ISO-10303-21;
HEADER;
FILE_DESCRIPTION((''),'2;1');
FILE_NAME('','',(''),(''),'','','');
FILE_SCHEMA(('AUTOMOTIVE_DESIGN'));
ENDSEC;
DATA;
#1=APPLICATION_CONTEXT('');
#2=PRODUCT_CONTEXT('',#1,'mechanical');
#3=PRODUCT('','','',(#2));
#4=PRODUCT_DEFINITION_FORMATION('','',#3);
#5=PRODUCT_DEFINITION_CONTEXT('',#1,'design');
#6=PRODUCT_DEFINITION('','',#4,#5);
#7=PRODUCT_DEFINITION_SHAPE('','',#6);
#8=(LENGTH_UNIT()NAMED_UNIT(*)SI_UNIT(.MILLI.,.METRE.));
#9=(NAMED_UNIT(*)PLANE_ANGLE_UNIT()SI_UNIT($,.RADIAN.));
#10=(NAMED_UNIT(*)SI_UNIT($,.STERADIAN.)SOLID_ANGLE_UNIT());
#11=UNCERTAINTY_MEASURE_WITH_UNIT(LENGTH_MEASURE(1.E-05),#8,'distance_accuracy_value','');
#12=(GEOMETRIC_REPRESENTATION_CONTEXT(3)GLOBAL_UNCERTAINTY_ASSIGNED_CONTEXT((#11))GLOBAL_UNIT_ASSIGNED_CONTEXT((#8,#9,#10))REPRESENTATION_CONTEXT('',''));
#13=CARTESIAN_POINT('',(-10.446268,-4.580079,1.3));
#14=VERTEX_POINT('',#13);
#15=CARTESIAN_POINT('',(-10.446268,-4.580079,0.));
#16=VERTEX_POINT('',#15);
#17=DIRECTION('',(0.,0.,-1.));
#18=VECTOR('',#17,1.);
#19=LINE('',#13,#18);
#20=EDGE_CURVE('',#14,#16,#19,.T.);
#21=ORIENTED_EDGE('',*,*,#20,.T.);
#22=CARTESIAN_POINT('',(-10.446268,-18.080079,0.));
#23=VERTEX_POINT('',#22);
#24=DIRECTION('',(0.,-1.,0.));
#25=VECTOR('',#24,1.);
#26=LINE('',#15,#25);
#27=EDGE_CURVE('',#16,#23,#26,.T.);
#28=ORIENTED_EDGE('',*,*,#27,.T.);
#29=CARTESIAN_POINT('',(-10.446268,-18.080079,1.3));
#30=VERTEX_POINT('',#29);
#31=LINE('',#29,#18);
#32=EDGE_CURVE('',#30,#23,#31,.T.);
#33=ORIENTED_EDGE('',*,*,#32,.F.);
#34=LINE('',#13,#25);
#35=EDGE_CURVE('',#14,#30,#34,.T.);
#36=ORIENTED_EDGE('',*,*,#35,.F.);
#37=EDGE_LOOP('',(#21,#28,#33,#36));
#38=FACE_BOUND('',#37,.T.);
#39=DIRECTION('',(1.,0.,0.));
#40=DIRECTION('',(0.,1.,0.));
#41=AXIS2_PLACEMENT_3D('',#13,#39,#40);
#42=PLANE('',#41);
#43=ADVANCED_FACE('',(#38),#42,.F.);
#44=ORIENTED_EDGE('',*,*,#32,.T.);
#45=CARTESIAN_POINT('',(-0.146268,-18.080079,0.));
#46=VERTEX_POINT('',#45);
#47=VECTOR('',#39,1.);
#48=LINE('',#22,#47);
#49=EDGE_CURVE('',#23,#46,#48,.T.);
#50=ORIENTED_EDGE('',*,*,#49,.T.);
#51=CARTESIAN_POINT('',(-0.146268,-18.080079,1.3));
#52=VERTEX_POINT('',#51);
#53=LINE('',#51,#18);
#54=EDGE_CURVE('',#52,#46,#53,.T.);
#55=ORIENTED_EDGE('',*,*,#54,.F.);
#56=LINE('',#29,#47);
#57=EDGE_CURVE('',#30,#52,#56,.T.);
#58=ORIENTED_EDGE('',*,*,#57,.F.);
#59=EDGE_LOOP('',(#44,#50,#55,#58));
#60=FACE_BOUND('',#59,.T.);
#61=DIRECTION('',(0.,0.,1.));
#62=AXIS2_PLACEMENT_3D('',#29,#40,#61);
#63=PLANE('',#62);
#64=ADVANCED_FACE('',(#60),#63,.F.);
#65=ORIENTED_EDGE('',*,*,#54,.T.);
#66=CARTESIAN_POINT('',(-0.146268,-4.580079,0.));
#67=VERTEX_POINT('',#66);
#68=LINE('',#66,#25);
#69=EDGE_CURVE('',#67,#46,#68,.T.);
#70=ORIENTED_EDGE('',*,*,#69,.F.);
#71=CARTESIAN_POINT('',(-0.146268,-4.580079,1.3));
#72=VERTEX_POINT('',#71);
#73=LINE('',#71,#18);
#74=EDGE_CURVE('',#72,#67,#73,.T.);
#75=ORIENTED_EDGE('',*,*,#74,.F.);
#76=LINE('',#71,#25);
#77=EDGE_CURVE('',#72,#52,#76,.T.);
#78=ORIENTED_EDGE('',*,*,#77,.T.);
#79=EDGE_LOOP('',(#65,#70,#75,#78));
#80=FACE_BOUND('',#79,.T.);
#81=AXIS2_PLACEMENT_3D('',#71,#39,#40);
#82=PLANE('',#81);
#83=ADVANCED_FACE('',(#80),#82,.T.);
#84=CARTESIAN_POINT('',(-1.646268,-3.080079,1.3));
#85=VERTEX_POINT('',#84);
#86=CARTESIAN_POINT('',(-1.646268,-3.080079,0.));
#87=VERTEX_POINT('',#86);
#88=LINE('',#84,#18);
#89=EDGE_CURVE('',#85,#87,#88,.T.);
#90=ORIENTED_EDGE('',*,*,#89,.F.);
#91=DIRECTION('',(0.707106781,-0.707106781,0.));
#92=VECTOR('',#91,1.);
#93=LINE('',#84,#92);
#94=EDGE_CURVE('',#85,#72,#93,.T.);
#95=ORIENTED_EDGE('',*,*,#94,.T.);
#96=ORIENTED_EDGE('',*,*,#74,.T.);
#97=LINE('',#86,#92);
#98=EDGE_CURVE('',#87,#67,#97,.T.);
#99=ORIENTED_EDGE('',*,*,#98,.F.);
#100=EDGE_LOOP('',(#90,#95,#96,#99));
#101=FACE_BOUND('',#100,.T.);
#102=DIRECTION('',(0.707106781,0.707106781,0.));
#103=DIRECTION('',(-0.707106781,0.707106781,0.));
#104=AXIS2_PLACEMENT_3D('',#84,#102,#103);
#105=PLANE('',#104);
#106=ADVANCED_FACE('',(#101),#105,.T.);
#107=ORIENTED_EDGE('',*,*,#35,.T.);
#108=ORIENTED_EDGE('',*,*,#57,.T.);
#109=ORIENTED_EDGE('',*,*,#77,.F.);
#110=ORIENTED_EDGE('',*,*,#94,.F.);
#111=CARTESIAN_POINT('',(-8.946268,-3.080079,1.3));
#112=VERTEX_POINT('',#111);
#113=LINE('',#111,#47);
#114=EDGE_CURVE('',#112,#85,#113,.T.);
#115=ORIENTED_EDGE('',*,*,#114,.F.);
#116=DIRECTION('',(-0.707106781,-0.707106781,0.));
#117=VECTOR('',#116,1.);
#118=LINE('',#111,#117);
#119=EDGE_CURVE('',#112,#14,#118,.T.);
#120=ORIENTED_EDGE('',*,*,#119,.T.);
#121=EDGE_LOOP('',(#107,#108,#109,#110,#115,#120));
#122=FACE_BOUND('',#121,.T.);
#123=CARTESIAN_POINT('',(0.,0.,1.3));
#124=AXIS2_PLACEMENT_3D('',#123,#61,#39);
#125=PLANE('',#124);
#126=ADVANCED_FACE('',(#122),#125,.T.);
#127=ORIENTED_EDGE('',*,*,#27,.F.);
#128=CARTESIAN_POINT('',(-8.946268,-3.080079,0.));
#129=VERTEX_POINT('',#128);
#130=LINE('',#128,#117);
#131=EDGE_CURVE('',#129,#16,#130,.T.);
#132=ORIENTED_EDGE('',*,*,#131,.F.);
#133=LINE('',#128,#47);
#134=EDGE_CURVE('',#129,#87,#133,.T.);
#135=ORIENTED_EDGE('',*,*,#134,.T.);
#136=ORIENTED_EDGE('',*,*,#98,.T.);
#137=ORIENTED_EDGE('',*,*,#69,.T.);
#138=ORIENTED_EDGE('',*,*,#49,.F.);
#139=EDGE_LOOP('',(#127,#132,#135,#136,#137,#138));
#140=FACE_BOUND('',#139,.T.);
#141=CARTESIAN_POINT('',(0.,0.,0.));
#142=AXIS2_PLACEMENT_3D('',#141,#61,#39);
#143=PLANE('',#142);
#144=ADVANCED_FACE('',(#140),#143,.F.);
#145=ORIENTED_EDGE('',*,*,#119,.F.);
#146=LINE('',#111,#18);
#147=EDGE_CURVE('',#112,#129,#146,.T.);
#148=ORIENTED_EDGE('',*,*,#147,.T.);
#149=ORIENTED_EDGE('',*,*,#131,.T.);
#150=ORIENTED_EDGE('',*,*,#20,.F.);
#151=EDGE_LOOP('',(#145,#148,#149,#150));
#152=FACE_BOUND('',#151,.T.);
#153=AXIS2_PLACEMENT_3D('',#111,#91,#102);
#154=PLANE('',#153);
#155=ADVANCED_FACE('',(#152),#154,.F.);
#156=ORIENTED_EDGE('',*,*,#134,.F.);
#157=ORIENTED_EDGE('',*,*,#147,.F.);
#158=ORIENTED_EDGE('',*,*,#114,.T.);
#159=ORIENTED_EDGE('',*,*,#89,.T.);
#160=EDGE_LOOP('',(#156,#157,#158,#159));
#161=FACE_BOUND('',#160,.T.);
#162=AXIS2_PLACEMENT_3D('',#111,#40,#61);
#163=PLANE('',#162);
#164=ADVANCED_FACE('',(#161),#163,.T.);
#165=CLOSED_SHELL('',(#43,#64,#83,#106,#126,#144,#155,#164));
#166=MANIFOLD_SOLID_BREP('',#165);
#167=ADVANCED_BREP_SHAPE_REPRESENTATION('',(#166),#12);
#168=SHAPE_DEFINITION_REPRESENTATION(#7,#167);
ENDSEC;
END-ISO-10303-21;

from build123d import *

# Parameters (mm, degrees)
EXTRUDE_1_DEPTH = 1.3


with BuildPart() as part:
    # Эскиз1 → Бобышка-Вытянуть1 (new body)
    with BuildSketch(Plane.XY):
        Polygon((-8.946267919, -3.08007909), (-10.446267919, -4.58007909), (-10.446267919, -18.08007909), (-0.146267919, -18.08007909), (-0.146267919, -4.58007909), (-1.646267919, -3.08007909), align=None)
    extrude(amount=EXTRUDE_1_DEPTH)


solid = part.part
